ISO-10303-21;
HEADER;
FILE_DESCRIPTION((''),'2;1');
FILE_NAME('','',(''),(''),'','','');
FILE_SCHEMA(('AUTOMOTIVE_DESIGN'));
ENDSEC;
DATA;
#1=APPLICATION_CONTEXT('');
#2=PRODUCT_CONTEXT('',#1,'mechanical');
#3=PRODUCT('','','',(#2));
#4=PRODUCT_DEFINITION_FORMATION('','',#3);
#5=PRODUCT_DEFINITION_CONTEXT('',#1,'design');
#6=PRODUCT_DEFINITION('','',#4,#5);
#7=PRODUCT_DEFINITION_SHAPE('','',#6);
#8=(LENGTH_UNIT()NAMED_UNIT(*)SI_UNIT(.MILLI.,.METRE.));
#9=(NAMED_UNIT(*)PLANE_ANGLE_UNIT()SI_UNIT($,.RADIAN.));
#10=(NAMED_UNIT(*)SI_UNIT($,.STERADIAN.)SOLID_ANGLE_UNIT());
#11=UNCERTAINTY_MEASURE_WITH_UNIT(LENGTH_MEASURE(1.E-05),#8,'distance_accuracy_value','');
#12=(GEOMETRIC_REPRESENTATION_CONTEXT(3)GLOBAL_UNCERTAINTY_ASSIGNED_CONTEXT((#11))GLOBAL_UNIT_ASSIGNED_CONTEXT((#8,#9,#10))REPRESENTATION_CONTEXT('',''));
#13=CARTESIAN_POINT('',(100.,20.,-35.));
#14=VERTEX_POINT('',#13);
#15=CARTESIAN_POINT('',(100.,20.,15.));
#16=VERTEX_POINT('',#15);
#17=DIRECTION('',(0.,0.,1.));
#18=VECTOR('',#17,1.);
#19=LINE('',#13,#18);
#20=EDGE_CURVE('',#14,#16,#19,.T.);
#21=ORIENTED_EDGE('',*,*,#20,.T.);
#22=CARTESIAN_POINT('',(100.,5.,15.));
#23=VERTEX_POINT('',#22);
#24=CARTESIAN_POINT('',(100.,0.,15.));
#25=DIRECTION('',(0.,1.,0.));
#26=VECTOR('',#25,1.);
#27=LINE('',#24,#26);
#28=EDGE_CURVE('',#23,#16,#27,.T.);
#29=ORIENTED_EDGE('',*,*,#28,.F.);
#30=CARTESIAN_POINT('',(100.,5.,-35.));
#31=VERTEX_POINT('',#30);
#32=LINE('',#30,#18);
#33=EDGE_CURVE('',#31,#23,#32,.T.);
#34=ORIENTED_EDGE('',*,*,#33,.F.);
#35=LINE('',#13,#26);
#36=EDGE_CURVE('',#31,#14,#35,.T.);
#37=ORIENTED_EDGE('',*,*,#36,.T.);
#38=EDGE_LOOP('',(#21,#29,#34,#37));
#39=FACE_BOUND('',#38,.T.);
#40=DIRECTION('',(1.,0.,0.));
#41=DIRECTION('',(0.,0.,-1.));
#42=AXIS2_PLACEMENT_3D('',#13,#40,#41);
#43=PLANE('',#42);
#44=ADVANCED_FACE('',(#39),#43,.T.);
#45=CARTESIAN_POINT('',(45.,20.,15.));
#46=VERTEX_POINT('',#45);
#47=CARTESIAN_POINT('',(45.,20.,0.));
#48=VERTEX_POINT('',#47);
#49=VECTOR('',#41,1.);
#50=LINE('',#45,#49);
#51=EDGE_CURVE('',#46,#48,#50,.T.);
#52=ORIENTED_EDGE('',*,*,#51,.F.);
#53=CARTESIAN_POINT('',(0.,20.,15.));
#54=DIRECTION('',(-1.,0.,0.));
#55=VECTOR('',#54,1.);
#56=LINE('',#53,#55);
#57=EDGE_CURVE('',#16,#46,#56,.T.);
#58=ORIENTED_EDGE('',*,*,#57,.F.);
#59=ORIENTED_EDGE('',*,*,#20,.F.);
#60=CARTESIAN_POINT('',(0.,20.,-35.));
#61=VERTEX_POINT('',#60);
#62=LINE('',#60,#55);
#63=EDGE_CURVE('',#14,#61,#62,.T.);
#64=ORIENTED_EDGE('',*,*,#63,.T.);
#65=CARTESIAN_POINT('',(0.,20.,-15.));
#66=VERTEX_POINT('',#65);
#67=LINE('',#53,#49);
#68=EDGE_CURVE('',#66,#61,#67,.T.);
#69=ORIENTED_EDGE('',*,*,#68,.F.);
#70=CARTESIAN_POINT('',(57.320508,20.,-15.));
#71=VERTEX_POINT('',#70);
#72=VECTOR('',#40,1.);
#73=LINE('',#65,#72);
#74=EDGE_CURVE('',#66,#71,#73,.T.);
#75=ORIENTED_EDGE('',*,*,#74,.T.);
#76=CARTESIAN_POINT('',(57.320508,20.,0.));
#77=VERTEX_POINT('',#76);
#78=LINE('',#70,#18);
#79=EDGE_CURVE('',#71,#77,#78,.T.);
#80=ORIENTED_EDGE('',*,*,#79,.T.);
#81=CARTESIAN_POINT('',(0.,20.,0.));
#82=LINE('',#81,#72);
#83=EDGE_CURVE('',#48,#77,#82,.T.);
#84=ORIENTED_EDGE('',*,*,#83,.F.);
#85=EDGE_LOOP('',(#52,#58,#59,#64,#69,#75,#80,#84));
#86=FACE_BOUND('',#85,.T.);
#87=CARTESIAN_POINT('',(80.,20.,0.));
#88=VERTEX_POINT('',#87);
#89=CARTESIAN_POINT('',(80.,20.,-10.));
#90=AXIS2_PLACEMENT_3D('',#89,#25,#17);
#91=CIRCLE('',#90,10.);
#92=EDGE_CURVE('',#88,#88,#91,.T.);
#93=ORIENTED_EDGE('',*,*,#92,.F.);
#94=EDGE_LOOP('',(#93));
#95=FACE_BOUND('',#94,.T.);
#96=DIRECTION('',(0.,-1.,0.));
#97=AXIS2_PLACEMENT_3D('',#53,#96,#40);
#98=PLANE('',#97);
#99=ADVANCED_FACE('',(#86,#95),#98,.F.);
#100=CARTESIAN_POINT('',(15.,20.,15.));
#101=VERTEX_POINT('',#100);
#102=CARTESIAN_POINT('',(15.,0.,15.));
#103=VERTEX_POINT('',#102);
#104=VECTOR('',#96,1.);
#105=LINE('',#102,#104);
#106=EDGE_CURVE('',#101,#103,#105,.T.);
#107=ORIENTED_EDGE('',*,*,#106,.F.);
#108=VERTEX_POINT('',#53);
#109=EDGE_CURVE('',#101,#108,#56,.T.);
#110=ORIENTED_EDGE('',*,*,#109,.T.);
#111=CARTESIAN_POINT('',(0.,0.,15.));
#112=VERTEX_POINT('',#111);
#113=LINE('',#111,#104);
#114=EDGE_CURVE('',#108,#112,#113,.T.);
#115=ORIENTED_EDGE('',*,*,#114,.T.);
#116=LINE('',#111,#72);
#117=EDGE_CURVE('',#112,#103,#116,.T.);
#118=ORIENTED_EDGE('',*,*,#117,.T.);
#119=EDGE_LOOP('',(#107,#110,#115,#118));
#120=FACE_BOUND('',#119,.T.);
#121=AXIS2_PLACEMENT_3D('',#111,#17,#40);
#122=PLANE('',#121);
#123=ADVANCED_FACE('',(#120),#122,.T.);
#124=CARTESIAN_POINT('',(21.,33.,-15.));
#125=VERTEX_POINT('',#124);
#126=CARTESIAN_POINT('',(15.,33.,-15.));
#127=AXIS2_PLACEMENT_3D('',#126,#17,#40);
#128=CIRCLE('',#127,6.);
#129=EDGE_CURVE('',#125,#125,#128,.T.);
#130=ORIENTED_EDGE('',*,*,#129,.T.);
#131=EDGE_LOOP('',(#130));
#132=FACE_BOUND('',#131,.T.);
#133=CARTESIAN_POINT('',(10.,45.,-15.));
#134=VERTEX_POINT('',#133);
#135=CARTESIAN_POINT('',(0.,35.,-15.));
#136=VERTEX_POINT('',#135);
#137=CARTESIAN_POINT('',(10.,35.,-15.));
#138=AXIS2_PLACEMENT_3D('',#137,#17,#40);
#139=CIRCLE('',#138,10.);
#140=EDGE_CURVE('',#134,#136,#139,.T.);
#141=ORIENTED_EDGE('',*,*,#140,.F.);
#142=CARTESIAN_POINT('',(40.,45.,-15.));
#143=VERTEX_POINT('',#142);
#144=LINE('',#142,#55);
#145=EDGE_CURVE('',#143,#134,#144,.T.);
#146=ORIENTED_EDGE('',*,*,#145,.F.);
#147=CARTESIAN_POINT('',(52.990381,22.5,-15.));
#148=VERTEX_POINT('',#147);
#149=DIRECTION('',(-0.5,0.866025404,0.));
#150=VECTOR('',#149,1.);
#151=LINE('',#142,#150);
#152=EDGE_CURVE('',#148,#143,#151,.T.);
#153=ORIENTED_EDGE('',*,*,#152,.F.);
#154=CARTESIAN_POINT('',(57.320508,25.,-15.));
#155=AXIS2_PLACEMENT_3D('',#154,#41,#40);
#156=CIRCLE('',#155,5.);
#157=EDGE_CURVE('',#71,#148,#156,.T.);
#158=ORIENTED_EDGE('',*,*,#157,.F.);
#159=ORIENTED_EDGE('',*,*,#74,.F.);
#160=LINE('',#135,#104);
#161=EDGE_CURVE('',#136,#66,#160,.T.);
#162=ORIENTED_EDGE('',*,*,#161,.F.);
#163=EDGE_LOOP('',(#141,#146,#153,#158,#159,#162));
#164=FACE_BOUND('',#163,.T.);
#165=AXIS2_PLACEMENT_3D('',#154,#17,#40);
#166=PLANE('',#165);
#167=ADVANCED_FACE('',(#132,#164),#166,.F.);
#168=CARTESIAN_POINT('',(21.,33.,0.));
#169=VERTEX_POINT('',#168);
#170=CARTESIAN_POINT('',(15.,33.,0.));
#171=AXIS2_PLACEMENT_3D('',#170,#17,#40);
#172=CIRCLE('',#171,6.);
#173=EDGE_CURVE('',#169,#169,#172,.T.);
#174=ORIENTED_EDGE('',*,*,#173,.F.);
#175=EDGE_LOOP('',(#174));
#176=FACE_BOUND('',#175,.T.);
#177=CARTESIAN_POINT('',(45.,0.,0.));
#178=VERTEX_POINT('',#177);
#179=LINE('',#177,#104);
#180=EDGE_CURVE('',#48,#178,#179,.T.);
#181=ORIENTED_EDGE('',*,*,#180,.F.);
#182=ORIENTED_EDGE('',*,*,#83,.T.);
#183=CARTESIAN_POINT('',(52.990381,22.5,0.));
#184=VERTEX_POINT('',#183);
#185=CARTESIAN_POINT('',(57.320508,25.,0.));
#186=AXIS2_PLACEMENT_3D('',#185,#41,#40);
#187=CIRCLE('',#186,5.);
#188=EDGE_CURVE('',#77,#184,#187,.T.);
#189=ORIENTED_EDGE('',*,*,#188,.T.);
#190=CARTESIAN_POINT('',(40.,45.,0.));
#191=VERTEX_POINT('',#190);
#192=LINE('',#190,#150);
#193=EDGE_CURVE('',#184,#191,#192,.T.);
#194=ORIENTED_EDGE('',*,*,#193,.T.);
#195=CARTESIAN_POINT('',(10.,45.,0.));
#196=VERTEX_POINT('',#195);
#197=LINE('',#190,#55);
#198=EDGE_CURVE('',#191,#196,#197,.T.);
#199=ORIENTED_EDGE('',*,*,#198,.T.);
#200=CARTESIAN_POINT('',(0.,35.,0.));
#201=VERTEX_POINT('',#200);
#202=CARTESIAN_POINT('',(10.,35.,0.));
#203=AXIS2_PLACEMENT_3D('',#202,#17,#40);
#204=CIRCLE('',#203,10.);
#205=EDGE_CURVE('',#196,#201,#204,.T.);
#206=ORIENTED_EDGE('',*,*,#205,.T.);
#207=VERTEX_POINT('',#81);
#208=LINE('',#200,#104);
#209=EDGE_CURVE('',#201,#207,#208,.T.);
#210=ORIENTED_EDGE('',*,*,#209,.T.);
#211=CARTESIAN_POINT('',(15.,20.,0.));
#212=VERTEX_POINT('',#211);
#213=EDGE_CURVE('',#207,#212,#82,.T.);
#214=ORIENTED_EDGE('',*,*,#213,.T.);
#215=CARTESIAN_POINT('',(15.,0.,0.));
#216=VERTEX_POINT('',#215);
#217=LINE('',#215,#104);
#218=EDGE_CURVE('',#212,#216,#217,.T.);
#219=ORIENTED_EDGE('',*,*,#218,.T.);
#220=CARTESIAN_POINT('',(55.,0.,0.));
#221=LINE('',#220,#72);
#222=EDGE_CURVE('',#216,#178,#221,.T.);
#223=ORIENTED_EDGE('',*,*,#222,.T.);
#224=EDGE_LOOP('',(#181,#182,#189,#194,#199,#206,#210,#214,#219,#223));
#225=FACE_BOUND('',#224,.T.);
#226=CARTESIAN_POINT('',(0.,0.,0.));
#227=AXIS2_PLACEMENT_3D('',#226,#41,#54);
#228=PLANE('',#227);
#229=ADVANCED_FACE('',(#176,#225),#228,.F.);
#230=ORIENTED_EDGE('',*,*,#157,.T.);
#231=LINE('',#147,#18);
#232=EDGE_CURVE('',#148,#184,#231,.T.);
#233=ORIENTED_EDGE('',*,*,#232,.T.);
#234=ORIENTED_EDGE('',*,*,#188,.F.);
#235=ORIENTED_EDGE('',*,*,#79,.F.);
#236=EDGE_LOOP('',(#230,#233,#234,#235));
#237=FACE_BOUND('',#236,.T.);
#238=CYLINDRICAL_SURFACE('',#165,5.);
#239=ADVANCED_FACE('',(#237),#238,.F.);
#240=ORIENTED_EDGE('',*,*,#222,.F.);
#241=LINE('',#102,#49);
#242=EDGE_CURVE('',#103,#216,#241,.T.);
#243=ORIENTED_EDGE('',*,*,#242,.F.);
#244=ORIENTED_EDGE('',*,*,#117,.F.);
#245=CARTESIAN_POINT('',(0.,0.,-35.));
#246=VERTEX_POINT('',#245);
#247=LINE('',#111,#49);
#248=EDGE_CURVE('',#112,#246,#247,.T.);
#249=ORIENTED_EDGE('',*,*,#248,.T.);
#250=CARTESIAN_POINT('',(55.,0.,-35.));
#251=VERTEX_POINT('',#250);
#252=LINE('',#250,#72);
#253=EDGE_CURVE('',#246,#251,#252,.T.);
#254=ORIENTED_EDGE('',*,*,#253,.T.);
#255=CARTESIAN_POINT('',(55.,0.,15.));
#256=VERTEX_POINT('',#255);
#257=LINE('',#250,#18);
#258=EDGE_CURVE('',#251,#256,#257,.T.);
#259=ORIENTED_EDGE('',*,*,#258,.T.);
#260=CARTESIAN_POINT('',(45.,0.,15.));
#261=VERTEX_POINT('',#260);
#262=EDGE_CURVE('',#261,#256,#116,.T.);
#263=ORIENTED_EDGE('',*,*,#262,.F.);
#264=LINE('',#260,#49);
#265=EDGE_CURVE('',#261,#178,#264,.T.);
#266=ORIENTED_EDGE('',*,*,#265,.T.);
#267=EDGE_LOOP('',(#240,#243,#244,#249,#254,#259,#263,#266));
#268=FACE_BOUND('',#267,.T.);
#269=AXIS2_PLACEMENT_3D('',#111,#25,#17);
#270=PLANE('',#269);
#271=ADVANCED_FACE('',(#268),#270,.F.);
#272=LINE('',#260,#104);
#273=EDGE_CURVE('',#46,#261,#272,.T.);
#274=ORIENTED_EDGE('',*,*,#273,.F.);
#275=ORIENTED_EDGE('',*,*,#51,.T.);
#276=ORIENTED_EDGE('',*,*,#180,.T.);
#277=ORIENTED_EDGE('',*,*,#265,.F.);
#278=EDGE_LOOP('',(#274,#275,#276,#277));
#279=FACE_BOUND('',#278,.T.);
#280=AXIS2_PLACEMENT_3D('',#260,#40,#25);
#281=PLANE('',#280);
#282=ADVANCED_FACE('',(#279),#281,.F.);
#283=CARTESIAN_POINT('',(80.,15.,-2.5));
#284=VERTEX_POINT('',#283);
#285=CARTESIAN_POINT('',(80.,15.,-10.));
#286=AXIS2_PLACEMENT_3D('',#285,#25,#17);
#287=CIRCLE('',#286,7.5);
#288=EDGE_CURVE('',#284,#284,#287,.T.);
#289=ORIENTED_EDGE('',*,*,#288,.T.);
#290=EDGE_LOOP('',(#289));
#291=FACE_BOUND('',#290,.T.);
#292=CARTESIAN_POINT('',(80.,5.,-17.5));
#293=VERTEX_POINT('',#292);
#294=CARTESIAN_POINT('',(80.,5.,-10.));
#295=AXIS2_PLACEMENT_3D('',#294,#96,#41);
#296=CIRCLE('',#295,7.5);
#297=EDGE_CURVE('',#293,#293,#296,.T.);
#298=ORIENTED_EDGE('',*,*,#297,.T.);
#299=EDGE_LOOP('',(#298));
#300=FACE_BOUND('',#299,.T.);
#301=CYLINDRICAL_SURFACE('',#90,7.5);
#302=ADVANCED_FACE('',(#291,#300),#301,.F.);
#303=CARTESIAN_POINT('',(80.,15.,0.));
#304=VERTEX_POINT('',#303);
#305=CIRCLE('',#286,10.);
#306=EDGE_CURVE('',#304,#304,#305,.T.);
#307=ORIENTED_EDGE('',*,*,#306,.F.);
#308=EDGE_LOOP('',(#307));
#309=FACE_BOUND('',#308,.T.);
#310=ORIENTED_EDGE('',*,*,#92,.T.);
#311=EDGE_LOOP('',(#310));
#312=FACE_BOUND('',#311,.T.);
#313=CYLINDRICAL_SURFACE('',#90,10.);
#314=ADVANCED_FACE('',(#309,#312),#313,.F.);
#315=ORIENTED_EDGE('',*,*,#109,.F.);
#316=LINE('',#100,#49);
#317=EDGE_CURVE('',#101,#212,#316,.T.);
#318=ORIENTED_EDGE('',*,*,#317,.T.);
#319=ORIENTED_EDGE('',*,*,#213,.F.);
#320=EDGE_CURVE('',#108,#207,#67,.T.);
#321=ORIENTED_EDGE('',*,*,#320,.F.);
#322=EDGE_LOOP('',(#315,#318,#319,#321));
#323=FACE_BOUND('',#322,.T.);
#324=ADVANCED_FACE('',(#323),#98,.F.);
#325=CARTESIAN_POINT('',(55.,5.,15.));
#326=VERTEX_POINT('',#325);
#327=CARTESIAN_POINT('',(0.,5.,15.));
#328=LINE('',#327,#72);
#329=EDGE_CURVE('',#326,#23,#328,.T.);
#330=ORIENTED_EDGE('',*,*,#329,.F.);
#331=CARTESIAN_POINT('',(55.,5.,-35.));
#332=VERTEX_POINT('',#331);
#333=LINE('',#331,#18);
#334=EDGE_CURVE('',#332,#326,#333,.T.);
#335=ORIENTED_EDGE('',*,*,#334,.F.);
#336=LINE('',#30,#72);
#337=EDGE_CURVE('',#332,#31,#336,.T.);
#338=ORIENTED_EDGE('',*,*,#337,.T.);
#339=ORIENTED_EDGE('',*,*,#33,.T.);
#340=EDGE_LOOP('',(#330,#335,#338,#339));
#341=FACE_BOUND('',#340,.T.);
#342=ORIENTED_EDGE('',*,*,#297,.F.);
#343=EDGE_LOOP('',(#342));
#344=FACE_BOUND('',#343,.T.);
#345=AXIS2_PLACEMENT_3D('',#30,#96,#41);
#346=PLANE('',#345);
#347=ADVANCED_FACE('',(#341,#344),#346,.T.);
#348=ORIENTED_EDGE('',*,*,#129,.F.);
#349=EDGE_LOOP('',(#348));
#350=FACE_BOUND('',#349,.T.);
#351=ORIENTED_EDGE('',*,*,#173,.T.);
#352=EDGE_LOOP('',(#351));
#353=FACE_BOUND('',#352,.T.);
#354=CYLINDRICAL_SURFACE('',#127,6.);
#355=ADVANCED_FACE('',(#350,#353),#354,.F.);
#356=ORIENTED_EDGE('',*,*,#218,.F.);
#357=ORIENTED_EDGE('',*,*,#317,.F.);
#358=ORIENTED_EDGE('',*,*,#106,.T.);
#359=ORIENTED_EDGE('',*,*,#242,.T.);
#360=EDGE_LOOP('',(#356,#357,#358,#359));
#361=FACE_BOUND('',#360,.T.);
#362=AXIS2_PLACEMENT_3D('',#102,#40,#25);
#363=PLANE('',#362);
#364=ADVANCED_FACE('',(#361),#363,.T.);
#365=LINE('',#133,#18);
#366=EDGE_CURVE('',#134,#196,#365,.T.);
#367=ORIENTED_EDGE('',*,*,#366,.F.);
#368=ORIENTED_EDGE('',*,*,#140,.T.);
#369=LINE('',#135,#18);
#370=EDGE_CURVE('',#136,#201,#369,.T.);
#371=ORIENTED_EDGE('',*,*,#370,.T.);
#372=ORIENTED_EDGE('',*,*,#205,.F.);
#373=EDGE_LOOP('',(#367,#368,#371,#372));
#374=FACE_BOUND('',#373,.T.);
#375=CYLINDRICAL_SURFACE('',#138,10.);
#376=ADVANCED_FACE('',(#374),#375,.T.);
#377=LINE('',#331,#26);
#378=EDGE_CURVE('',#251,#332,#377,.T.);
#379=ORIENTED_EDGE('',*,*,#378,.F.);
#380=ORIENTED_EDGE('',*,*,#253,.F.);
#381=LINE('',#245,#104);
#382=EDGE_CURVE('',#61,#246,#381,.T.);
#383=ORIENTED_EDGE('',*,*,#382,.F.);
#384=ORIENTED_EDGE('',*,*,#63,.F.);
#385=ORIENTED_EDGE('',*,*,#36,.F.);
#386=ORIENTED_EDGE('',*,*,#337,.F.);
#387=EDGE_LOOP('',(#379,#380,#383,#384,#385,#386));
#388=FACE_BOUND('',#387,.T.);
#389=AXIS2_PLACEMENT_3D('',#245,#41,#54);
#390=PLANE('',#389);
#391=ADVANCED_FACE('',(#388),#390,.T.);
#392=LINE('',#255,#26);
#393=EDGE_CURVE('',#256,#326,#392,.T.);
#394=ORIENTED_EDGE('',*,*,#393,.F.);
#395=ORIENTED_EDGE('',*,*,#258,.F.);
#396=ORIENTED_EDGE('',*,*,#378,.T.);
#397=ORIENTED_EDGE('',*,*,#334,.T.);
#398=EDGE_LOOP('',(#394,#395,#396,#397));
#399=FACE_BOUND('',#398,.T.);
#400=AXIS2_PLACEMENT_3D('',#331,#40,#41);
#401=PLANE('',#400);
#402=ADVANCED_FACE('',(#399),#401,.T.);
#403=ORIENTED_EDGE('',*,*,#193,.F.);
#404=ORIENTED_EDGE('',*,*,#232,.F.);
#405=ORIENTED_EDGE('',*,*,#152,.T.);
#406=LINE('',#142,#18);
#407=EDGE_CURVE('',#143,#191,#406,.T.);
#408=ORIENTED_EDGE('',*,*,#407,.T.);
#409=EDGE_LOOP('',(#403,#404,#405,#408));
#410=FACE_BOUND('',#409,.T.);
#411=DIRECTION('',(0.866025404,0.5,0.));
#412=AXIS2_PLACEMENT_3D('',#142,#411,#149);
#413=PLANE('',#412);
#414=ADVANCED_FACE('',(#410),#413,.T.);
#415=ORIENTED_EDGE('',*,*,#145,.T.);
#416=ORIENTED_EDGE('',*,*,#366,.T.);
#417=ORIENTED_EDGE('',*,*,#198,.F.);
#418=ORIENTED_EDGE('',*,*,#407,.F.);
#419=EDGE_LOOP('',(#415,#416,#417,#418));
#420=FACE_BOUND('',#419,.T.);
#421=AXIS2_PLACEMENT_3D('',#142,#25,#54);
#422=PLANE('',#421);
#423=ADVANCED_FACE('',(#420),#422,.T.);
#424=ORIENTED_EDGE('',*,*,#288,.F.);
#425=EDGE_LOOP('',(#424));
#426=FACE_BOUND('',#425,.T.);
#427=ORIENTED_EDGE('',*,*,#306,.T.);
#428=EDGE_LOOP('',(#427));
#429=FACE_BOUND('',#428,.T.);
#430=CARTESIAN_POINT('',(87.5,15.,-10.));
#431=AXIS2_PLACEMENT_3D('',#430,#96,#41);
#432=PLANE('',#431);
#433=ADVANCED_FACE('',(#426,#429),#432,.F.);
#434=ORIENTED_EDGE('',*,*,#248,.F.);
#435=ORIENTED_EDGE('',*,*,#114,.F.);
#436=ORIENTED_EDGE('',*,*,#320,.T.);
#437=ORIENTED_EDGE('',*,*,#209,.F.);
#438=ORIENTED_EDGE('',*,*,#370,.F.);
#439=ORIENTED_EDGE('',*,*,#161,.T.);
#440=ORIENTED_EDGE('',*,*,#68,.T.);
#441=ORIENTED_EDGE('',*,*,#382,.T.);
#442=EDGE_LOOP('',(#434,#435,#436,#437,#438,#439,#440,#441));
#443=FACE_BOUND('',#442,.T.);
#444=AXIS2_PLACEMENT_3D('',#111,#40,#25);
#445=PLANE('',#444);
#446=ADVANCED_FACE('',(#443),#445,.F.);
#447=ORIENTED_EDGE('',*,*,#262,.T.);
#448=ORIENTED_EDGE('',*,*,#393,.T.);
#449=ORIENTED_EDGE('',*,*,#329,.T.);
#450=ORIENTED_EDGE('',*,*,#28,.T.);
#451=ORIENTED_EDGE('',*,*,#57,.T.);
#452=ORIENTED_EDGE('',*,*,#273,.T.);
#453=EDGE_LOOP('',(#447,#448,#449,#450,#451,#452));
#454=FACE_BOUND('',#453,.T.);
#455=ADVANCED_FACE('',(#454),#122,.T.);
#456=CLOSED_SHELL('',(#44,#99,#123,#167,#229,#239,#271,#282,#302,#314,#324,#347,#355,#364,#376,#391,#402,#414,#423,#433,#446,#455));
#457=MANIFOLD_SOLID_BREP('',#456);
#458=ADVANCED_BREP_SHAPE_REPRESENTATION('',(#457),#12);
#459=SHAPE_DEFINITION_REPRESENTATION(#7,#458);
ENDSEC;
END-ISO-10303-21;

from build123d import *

# Parameters (mm, degrees)
SKETCH2_W             = 15
SKETCH2_H             = 20
BOSS_EXTRUDE1_DEPTH   = 15
BOSS_EXTRUDE1_2_DEPTH = 15
BOSS_EXTRUDE2_DEPTH   = 35
SKETCH9_R             = 6
BOSS_EXTRUDE6_DEPTH   = 15
HOLE1_D               = 15
HOLE1_DEPTH           = 99.968745116
HOLE1_CBORE_D         = 20
HOLE1_CBORE_DEPTH     = 5


with BuildPart() as part:
    # Sketch2 → Boss-Extrude1 (new body)
    with BuildSketch(Plane.XY):
        with Locations((7.5, 10)):
            Rectangle(SKETCH2_W, SKETCH2_H)
    extrude(amount=BOSS_EXTRUDE1_DEPTH)



with BuildPart() as body_2:
    # Sketch2 → Boss-Extrude1 2 (new body)
    with BuildSketch(Plane.XY):
        Polygon((45, 20), (45, 0), (55, 0), (55, 5), (100, 5), (100, 20), align=None)
    extrude(amount=BOSS_EXTRUDE1_2_DEPTH)


with BuildPart() as part_1:
    add(part.part)

    add(body_2.part)  # Boss-Extrude2 merges body 2
    # Sketch3 → Boss-Extrude2 (add)
    with BuildSketch(Plane.XY):
        Polygon((100, 20), (100, 5), (55, 5), (55, 0), (0, 0), (0, 20), align=None)
    extrude(amount=-BOSS_EXTRUDE2_DEPTH)

    # Sketch9 → Boss-Extrude6 (add)
    with BuildSketch(Plane.XY):
        with BuildLine():
            Line((40, 45), (10, 45))
            ThreePointArc((10, 45), (2.928932188, 42.071067812), (0, 35))
            Line((0, 35), (0, 20))
            Line((0, 20), (57.320508076, 20))
            ThreePointArc((57.320508076, 20), (54.820508076, 20.669872981), (52.990381057, 22.5))
            Line((52.990381057, 22.5), (40, 45))
        make_face()
        with Locations((15, 33)):
            Circle(SKETCH9_R, mode=Mode.SUBTRACT)
    extrude(amount=-BOSS_EXTRUDE6_DEPTH)

    # Hole1
    with Locations(Plane(origin=(0, 20, 0), x_dir=(1, 0, 0), z_dir=(0, 1, 0))):
        with Locations((80, 10)):
            CounterBoreHole(HOLE1_D / 2, HOLE1_CBORE_D / 2, HOLE1_CBORE_DEPTH, depth=HOLE1_DEPTH)


solid = part_1.part
